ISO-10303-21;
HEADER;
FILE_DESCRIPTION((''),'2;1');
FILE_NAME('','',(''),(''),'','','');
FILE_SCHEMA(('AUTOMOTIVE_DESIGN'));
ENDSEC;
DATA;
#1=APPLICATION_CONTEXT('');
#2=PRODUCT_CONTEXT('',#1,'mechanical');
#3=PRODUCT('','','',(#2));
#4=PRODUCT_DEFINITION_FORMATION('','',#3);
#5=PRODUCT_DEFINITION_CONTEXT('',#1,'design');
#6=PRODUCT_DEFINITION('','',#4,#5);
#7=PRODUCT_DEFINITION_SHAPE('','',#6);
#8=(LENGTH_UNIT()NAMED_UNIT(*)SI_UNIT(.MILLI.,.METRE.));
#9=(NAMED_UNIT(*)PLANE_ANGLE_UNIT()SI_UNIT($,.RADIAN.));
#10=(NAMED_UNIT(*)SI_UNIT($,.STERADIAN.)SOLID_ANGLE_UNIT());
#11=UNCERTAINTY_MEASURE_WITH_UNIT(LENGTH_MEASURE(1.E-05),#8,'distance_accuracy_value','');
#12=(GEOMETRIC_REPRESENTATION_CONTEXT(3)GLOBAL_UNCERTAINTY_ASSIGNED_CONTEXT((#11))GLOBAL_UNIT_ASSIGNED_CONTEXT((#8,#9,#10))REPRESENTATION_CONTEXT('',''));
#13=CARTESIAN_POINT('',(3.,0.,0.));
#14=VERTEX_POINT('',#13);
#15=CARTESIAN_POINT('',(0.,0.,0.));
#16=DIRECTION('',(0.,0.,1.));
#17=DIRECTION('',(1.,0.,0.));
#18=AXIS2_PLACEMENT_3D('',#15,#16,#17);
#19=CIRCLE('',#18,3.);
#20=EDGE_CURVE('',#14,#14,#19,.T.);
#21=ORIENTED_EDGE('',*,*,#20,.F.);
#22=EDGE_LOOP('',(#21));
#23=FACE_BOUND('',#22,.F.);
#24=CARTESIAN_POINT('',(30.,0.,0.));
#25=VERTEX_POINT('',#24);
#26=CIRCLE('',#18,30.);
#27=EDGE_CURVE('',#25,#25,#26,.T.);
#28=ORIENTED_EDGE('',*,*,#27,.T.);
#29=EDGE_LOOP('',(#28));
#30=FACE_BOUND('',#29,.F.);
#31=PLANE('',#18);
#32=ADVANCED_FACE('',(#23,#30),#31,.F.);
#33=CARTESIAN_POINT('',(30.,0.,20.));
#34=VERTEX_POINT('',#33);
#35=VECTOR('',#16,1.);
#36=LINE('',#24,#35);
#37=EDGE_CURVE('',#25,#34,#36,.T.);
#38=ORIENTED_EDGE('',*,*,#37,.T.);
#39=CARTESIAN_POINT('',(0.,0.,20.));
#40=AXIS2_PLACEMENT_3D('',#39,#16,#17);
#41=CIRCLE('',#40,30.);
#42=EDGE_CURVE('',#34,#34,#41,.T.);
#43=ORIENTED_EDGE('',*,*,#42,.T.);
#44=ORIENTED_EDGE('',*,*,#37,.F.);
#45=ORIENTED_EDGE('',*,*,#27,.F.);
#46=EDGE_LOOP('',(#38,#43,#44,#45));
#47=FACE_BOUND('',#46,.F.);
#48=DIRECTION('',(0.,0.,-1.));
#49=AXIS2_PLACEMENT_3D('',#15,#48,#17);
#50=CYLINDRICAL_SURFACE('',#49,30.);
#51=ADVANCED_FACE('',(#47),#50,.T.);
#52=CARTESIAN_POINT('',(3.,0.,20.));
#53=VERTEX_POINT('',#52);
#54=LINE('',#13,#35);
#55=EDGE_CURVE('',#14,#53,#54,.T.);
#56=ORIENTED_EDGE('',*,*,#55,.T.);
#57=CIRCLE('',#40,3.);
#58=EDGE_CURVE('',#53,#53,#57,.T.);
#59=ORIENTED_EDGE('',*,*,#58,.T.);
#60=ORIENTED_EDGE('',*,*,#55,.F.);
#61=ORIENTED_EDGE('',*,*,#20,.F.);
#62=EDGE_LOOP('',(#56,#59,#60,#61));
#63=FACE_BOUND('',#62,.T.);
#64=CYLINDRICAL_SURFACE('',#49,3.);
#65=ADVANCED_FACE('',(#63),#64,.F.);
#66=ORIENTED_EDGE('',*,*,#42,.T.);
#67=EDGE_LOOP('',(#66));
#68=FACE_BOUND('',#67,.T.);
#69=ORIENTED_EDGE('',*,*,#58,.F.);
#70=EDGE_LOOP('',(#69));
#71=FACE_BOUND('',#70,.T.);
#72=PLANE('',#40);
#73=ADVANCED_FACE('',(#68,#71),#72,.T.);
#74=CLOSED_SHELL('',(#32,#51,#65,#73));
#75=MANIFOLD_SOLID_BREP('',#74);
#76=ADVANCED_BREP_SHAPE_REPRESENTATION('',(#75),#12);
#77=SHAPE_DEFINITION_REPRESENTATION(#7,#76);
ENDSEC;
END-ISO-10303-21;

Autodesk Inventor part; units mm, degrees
ref_plane "YZ Plane" through (0, 0, 0) normal (1, 0, 0) x (0, 1, 0)
ref_plane "XZ Plane" through (0, 0, 0) normal (0, 1, 0) x (-1, 0, 0)
ref_plane "XY Plane" through (0, 0, 0) normal (0, 0, 1) x (1, 0, 0)
sketch "Skizze1" plane through (0, 0, 0) normal (0, 0, 1) x (1, 0, 0)
  circle A0 centre (0, 0) radius 3
  circle A1 centre (0, 0) radius 30
  dimension "d0" = 6
  dimension "d1" = 60
extrude "Extrusion1" add sketch "Skizze1" along normal blind 20
properties part number "Antriebsrad 80"
